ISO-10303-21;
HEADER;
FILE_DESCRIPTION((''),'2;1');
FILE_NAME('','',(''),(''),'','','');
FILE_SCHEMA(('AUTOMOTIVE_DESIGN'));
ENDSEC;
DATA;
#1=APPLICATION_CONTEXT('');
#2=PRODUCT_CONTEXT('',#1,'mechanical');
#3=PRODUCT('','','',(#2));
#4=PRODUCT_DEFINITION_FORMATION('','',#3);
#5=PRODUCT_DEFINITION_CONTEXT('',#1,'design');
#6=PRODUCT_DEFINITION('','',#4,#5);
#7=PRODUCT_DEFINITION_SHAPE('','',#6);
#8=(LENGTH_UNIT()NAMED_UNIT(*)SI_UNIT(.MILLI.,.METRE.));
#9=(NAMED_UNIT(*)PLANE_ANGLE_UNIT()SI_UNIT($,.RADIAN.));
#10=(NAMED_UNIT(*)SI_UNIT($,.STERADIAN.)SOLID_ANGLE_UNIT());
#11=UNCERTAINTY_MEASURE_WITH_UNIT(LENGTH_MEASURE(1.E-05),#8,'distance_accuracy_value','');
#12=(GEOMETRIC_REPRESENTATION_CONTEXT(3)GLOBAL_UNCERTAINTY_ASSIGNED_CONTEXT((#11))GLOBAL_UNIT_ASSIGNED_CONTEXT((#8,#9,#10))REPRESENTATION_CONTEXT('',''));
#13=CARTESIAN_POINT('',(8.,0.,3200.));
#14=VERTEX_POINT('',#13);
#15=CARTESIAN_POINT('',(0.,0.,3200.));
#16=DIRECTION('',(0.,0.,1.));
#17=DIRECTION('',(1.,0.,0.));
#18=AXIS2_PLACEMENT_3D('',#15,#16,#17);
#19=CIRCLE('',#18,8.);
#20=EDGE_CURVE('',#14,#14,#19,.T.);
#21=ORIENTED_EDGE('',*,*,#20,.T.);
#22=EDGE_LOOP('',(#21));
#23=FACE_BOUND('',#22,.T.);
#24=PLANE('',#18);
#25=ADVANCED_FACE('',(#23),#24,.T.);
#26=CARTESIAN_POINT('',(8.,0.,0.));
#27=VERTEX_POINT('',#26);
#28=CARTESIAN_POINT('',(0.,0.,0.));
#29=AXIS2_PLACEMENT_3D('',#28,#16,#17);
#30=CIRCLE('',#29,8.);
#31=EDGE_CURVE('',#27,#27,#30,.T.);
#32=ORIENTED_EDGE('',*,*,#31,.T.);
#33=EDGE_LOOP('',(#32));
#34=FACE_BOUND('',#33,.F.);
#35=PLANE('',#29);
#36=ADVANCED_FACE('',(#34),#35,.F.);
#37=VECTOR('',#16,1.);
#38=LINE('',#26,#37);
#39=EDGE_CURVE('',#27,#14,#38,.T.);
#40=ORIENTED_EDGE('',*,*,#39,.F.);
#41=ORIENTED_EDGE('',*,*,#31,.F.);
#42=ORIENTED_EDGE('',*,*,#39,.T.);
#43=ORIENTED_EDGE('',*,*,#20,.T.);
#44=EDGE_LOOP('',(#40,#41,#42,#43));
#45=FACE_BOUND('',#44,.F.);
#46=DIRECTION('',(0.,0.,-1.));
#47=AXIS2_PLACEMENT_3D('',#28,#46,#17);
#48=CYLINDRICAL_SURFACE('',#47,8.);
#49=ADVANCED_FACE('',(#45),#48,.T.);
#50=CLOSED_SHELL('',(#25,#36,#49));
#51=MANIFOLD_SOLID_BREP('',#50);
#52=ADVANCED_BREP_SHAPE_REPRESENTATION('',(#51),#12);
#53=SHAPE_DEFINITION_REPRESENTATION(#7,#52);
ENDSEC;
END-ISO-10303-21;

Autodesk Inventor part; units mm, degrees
ref_plane "YZ Plane" through (0, 0, 0) normal (1, 0, 0) x (0, 1, 0)
ref_plane "Start plane" through (0, 0, 0) normal (0, 0, 1) x (1, 0, 0)
ref_plane "End plane" through (0, 0, 3200) normal (0, 0, 1) x (1, 0, 0)
sketch "Sketch" plane through (0, 0, 0) normal (0, 0, 1) x (1, 0, 0)
  circle A0 centre (0, 0) radius 8
  dimension "d0" = 16
extrude "Body" add sketch "Sketch" along normal up to surface (3200 mm away) from surface at 0
sketch "Sketch3" plane through (0, 0, 0) normal (0, 0, 1) x (1, 0, 0)
  line L0 (0, 0) -> (10, 0)
ref_plane "Work Plane3" through (0, 0, 0) normal (0, -1, 0) x (1, 0, 0)
sketch "Sketch4" plane through (0, 0, 0) normal (0, -1, 0) x (1, 0, 0)
  line L0 (-2, 0) -> (12, 0) projected
  line L1 (-2, 3200) -> (12, 3200) projected
  dimension "d8" = 3200
equation "\"d0\" = G_H"
equation "\"d1\" = G_L"
equation "\"G_H\" = 16"
equation "\"G_L\" = d8"
equation "\"G_OFFSET_START\" = 0"
equation "\"G_OFFSET_END\" = 0"
equation "\"G_D\" = 16"
properties part number "DIN EN 10060 - 16 - 3200" material "Steel, Mild"
